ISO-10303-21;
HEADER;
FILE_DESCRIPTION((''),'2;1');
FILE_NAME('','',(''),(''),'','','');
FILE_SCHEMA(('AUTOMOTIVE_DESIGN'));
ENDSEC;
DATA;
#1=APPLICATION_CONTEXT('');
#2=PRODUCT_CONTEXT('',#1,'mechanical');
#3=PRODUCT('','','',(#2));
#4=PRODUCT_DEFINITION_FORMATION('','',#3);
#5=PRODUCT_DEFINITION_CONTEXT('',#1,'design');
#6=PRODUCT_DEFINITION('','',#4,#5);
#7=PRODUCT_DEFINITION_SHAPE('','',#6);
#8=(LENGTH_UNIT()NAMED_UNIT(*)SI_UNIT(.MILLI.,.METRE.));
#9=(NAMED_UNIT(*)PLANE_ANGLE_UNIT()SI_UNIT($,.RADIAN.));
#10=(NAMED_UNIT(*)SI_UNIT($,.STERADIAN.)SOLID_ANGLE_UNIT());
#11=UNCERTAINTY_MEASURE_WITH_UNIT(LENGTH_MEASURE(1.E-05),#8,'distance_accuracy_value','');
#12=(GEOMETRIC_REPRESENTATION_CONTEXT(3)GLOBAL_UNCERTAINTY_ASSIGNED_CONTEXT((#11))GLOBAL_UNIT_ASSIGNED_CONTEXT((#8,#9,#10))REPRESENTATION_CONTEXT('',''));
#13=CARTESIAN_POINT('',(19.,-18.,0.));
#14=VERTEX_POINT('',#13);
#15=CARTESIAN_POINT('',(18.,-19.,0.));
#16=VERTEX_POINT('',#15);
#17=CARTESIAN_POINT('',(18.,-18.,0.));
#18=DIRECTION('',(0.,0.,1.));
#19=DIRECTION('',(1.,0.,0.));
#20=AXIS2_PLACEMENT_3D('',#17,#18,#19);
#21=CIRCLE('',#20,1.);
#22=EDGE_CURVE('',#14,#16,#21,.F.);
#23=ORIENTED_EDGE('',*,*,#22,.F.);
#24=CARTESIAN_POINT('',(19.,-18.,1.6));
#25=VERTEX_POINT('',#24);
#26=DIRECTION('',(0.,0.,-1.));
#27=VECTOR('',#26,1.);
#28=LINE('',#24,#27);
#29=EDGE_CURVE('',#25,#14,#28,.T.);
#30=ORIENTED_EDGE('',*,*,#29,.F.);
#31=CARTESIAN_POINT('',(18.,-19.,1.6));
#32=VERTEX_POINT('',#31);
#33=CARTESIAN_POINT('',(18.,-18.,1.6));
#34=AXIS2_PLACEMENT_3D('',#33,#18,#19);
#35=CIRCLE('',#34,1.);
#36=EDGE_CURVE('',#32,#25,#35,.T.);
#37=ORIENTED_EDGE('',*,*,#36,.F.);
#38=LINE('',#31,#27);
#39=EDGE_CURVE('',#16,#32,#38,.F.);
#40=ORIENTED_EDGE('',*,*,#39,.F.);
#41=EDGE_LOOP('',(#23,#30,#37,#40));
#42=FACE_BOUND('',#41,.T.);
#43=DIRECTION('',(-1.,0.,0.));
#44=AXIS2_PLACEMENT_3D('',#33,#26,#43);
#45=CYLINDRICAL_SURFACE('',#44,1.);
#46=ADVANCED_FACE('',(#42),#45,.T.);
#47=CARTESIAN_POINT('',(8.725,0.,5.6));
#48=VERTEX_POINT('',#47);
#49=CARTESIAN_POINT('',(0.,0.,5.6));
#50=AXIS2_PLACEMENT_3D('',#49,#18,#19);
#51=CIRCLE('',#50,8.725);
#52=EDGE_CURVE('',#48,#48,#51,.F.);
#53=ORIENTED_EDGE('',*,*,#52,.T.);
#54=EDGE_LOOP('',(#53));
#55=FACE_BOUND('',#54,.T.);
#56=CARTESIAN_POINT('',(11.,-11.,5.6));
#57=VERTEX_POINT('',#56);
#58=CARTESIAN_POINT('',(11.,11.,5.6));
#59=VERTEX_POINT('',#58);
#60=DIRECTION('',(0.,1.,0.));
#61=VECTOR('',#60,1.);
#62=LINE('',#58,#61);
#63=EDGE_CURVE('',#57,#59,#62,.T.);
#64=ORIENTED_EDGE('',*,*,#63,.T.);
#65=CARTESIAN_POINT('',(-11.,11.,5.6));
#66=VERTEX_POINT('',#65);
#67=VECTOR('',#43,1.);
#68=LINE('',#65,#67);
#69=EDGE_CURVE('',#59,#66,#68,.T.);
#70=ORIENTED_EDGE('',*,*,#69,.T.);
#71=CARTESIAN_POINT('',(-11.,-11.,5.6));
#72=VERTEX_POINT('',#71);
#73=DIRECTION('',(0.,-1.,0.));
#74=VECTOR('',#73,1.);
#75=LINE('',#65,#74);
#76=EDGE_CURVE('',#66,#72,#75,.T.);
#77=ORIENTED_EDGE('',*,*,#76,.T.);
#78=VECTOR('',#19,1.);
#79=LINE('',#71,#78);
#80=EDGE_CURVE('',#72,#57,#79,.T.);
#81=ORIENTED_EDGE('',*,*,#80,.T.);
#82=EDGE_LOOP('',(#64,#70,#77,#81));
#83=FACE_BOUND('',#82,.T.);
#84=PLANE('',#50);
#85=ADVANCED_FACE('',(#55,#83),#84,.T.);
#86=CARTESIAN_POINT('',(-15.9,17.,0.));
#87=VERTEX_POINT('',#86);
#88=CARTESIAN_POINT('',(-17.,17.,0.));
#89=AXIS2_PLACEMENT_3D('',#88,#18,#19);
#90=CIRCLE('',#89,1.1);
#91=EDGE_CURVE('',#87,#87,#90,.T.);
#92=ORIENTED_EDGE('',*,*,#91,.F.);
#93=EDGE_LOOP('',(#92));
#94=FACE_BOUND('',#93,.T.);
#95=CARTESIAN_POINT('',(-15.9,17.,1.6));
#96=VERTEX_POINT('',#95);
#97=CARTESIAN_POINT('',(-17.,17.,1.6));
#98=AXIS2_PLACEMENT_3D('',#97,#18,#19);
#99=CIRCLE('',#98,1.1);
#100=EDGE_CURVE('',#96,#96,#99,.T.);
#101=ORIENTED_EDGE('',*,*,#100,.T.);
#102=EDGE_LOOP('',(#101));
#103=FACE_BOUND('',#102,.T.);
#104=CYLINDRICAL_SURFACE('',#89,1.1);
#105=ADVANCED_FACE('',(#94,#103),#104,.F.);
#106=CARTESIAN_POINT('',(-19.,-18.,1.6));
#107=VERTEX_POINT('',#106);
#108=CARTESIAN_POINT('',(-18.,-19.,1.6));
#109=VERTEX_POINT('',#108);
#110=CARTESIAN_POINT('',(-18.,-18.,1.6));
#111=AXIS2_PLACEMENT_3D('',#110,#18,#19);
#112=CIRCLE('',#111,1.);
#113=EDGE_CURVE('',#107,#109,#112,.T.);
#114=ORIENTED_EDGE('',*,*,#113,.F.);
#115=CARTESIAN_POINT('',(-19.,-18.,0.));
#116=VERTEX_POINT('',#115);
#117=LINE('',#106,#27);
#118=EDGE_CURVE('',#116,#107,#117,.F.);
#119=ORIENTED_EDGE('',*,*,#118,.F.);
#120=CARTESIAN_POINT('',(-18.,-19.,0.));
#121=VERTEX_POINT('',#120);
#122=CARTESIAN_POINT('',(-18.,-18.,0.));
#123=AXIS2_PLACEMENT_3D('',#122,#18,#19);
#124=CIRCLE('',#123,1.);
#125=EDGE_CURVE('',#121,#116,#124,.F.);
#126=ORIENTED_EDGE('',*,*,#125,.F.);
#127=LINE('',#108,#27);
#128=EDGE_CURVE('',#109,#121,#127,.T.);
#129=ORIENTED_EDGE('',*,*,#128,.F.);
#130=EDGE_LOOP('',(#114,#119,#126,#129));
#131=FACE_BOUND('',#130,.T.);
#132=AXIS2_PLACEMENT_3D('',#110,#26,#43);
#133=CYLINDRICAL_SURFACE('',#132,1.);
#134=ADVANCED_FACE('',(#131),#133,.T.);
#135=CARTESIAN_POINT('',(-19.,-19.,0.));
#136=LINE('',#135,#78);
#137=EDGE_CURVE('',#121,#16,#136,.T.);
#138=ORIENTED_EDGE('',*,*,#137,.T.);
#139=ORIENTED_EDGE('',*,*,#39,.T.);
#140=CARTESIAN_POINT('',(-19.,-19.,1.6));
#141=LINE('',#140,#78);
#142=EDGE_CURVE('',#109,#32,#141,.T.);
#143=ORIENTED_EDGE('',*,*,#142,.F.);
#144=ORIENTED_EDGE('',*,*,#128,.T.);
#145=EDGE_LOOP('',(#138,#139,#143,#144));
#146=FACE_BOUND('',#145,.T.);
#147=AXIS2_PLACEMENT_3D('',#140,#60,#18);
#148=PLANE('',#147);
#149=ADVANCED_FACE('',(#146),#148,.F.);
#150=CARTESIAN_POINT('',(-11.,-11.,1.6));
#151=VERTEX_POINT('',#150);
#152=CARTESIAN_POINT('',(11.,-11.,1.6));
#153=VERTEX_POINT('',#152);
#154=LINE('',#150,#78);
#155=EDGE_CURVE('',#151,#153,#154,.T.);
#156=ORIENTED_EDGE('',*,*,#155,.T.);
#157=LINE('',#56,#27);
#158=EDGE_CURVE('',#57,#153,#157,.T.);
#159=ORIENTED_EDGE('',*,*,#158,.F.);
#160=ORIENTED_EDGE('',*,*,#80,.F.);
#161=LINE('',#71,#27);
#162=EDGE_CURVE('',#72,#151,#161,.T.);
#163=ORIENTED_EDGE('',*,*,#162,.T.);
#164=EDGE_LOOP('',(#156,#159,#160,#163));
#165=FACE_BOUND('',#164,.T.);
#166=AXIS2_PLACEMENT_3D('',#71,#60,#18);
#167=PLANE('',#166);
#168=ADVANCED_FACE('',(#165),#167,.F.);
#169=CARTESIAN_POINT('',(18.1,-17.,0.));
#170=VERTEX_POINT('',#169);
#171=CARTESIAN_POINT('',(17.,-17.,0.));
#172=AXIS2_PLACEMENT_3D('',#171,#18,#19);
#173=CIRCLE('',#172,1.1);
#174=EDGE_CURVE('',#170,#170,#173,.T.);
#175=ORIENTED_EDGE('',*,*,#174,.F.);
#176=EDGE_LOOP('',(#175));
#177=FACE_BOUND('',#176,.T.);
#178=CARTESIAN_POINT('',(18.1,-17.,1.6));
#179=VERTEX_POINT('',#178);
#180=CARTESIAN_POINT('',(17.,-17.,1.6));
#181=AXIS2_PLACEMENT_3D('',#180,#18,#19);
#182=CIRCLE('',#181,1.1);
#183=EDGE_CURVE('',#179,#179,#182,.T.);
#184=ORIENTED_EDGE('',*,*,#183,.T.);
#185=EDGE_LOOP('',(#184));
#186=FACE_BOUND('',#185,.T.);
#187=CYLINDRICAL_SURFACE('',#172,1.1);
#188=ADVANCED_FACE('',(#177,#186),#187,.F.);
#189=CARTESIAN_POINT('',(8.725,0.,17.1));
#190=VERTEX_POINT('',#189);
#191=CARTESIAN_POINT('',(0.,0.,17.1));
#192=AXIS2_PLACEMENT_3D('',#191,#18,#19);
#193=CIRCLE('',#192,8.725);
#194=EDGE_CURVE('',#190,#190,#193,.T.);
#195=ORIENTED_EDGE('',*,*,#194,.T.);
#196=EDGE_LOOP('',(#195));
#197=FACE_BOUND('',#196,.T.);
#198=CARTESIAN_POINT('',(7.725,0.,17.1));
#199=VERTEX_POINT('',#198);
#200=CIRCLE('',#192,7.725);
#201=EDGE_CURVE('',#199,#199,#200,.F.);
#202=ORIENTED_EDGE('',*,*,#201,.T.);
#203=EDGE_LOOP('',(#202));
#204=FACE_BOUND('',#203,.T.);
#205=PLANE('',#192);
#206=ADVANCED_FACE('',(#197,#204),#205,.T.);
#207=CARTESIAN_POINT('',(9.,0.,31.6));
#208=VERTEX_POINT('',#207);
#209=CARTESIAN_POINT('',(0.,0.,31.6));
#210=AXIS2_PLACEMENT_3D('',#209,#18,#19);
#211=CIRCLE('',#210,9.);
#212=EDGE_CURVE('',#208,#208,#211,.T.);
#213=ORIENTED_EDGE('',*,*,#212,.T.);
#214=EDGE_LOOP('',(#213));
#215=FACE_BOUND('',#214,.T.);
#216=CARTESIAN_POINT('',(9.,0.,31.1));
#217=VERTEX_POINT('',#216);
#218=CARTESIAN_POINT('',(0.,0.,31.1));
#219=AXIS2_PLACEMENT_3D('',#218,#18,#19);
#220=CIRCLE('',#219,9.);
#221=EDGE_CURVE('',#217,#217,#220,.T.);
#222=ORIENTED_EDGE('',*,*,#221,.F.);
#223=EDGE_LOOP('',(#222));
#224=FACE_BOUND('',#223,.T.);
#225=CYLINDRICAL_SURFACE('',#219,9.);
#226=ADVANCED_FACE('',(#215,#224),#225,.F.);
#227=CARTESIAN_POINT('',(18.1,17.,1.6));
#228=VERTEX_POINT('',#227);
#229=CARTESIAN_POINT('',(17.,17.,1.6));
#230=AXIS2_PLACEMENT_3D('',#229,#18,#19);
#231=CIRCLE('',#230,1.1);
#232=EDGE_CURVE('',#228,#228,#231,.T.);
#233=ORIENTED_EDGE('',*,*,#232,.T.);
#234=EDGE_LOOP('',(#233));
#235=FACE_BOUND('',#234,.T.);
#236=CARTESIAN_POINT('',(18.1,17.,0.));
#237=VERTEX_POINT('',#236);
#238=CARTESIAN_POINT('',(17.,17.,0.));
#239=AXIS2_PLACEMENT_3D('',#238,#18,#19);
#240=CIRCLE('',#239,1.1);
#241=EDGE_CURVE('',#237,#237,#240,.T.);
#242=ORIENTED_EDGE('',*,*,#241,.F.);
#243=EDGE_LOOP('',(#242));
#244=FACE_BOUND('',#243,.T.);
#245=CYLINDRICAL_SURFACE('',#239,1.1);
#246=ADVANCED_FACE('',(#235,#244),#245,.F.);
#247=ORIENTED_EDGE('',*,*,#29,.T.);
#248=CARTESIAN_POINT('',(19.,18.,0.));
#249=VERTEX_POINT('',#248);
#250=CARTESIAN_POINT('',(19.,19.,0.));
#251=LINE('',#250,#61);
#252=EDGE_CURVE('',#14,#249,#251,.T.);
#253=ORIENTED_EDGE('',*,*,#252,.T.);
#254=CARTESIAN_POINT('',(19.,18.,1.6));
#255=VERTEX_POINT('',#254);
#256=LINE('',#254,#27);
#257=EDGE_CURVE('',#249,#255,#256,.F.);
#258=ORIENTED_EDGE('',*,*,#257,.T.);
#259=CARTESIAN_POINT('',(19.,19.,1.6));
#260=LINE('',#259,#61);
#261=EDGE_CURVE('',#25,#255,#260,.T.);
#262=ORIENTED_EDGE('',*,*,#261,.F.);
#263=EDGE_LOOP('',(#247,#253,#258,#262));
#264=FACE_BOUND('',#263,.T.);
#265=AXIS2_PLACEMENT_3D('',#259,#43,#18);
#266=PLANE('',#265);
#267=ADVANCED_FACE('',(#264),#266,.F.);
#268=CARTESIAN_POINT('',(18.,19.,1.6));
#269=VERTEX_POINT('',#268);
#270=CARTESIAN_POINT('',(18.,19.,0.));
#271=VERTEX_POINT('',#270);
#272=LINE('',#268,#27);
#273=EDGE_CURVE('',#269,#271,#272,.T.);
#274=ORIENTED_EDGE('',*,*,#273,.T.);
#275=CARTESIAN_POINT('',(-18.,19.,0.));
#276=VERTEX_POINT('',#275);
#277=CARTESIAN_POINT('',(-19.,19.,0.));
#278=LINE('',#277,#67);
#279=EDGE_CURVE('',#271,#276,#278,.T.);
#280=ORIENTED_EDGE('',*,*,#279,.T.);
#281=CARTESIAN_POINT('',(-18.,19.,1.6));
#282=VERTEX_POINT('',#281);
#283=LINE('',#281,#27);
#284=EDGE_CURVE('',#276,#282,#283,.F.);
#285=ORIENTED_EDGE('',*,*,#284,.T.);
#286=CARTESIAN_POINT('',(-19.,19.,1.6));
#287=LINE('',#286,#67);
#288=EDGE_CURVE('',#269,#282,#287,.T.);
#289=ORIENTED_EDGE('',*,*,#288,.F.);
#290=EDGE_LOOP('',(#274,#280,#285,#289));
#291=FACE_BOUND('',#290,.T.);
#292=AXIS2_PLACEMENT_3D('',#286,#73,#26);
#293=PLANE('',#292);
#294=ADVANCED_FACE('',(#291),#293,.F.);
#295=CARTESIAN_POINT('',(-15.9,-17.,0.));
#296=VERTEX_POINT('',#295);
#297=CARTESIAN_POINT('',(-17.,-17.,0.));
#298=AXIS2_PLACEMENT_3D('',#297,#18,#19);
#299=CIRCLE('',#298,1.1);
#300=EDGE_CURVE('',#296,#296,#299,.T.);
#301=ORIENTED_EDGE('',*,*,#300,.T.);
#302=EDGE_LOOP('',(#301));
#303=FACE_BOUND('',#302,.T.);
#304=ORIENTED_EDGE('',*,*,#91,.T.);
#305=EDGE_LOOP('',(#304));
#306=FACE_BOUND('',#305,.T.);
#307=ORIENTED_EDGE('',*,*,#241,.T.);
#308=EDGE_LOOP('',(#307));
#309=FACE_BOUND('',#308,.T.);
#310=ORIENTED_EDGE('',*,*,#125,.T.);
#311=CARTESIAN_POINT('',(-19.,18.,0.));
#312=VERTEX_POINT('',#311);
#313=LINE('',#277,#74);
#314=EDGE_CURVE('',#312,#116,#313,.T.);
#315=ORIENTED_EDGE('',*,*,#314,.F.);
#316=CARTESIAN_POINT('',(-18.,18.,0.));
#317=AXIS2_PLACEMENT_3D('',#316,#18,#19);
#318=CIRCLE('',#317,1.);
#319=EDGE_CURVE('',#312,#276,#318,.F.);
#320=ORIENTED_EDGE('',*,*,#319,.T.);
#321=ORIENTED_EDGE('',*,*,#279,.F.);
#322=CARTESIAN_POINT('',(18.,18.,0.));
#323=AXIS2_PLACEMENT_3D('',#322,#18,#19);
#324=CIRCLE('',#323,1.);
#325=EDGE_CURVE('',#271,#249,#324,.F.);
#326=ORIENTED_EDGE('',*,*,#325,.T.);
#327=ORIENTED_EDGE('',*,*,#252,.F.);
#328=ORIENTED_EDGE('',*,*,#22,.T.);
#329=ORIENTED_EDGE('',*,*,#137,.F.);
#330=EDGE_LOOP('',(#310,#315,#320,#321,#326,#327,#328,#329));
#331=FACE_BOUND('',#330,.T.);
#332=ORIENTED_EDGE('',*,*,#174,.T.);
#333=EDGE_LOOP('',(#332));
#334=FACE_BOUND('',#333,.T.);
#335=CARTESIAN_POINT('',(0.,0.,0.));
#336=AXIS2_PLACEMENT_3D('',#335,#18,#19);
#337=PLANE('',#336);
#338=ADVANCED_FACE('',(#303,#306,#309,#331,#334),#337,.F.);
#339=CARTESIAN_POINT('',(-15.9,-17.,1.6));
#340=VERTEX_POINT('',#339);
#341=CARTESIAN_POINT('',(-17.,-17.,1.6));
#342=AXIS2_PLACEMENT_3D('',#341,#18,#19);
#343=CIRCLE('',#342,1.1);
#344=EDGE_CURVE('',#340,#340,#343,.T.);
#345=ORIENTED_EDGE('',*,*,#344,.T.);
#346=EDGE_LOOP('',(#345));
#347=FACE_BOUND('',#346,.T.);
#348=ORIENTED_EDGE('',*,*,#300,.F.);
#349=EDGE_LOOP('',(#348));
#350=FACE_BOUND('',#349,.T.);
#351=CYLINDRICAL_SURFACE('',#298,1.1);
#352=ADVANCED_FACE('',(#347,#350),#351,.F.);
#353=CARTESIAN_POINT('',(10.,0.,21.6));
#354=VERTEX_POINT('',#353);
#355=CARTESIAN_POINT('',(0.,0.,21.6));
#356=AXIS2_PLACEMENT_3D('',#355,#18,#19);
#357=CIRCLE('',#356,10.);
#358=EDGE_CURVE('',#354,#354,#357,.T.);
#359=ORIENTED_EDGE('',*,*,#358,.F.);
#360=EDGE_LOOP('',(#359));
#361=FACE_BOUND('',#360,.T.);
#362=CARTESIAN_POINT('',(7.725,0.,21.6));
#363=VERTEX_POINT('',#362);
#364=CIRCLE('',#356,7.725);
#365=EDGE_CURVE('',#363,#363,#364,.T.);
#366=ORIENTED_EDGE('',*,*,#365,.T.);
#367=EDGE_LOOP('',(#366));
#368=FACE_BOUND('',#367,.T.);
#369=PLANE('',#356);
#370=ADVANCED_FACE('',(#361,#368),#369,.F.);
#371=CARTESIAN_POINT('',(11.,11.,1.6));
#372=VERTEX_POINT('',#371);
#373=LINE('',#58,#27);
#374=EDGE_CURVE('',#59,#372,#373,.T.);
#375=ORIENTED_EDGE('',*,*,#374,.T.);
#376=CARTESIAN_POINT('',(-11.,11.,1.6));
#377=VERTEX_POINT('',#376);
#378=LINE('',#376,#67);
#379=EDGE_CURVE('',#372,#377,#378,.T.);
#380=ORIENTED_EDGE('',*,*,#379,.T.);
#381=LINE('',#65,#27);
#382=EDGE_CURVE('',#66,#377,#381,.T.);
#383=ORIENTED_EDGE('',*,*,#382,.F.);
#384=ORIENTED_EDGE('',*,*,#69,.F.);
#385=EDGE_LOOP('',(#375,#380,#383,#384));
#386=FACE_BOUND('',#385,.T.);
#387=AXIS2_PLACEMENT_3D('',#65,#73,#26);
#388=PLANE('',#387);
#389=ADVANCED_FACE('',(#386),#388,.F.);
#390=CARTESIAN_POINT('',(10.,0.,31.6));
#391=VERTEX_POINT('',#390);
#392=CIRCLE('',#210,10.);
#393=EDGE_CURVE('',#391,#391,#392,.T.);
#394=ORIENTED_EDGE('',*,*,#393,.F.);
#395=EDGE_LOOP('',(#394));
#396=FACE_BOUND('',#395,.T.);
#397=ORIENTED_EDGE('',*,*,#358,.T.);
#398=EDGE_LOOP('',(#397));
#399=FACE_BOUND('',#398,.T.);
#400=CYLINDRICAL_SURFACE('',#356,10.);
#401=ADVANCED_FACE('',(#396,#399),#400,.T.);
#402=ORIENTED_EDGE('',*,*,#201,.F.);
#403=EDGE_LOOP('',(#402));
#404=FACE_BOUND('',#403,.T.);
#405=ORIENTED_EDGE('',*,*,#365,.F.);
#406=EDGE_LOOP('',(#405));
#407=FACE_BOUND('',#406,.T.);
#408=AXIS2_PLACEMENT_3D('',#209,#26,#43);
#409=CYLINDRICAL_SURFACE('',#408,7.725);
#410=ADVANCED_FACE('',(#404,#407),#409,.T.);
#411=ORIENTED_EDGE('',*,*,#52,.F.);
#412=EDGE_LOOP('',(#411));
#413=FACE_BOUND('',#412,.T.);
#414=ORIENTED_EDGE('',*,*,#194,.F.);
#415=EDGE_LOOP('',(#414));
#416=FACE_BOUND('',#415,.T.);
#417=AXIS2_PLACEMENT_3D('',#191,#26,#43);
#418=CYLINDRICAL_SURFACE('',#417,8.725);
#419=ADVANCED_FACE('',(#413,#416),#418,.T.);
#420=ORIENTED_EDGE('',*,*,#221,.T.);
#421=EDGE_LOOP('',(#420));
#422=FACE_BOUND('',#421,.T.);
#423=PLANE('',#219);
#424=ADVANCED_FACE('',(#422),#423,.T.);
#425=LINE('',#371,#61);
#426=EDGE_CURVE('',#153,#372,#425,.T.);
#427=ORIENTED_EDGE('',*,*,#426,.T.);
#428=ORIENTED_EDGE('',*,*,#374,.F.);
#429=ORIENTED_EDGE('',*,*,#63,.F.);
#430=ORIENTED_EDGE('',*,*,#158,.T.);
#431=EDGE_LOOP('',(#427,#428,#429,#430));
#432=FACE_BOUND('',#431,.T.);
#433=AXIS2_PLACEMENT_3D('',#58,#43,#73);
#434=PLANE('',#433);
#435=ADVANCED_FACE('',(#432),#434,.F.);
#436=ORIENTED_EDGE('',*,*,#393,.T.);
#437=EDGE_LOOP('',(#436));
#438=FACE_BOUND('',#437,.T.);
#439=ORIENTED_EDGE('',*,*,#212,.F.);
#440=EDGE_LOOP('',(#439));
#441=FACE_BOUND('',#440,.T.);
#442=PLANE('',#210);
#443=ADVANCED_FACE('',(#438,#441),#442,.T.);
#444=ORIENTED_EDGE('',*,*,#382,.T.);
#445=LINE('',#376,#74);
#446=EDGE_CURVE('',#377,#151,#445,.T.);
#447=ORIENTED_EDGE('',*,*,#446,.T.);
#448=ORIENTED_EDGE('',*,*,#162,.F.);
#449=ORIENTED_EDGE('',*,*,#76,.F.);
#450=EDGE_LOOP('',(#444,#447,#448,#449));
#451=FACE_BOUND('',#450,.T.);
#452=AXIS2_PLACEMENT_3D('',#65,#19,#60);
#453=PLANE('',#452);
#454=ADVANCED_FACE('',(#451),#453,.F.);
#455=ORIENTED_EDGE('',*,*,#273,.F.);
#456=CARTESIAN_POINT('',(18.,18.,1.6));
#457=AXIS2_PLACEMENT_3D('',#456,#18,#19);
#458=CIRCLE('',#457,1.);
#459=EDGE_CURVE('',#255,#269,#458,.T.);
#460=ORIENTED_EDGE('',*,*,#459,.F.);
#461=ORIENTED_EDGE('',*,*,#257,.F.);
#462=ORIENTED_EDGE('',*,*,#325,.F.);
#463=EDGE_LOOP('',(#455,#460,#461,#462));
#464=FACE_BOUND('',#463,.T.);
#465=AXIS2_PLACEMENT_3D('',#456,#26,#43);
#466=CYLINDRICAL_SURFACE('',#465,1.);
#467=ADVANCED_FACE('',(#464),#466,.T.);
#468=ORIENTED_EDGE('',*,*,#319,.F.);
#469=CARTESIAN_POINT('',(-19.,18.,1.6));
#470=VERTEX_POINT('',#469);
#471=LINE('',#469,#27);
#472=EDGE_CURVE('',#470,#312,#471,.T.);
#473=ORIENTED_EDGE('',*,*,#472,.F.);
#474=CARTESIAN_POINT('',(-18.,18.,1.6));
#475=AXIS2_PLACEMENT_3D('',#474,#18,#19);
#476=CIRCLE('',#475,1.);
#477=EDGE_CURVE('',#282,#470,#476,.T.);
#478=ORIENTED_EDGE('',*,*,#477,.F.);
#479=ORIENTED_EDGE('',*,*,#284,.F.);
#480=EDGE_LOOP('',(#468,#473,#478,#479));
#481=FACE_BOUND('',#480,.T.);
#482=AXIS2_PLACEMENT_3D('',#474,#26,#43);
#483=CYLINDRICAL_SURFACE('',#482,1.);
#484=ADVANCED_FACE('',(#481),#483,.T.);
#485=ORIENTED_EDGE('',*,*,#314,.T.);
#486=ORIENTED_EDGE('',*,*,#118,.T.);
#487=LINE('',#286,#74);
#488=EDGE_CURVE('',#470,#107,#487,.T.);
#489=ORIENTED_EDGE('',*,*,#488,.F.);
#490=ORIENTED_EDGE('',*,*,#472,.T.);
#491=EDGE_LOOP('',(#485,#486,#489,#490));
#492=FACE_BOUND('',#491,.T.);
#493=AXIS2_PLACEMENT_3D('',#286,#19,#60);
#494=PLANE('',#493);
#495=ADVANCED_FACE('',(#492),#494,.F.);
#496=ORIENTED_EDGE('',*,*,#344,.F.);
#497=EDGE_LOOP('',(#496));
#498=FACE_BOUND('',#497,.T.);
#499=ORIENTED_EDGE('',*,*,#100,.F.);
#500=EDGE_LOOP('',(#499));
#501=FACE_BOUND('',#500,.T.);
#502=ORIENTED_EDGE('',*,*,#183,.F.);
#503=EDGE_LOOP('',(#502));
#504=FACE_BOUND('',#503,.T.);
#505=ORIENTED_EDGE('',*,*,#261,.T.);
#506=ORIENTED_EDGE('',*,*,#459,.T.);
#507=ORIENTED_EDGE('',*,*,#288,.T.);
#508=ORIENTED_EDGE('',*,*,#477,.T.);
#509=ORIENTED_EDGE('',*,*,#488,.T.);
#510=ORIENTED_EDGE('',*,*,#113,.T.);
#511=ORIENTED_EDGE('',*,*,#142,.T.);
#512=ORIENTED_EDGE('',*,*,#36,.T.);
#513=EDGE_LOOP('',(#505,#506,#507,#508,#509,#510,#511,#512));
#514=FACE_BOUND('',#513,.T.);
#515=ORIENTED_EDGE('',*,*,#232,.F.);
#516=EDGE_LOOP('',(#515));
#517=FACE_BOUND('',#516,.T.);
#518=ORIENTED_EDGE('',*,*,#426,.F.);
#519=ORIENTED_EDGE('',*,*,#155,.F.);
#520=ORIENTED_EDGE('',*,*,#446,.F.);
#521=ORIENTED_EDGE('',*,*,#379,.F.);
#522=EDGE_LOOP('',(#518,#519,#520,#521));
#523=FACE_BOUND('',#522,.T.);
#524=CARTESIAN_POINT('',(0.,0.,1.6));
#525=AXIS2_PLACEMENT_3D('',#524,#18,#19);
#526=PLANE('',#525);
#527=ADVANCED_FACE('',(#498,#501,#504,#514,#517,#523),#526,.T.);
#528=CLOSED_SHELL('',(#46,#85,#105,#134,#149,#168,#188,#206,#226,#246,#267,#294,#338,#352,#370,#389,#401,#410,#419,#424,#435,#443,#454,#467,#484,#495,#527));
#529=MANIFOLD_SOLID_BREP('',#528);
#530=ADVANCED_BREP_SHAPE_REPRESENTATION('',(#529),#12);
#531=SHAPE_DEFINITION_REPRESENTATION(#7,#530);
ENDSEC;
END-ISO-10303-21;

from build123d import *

# Parameters (mm, degrees)
SKETCH_1_W          = 38
SKETCH_1_H          = 38
EXTRUDE_1_DEPTH     = 1.6
SKETCH_2_R          = 1.1
CUT_EXTRUDE_1_DEPTH = 27.917652201
FILLET_1_R          = 1
SKETCH_3_W          = 22
SKETCH_3_H          = 22
EXTRUDE_2_DEPTH     = 4
SKETCH_4_R          = 8.725
EXTRUDE_3_DEPTH     = 15.5
SKETCH_5_R          = 7.725
EXTRUDE_4_DEPTH     = 30
SKETCH_6_R          = 10
EXTRUDE_5_DEPTH     = 10
SKETCH_7_R          = 9
CUT_EXTRUDE_3_DEPTH = 0.5


with BuildPart() as part:
    # 스케치1 → 보스-돌출1 (new body)
    with BuildSketch(Plane.XY):
        Rectangle(SKETCH_1_W, SKETCH_1_H)
    extrude(amount=EXTRUDE_1_DEPTH)

    # 스케치2 → 컷-돌출1 (cut, through all)
    with BuildSketch(Plane.XY.offset(1.6)):
        with Locations((-17, 17)):
            Circle(SKETCH_2_R)
        with Locations((17, -17)):
            Circle(SKETCH_2_R)
        with Locations((17, 17)):
            Circle(SKETCH_2_R)
        with Locations((-17, -17)):
            Circle(SKETCH_2_R)
    extrude(amount=-CUT_EXTRUDE_1_DEPTH, mode=Mode.SUBTRACT)

    # 필렛1
    fillet_1_edges = [part.edges().sort_by_distance(p)[0] for p in [
        (-19, 19, 0.8),
        (19, 19, 0.8),
        (19, -19, 0.8),
        (-19, -19, 0.8),
    ]]
    fillet(fillet_1_edges, radius=FILLET_1_R)

    # 스케치3 → 보스-돌출2 (add)
    with BuildSketch(Plane.XY.offset(1.6)):
        Rectangle(SKETCH_3_W, SKETCH_3_H)
    extrude(amount=EXTRUDE_2_DEPTH)

    # 스케치4 → 보스-돌출3 (add)
    with BuildSketch(Plane.XY.offset(1.6)):
        Circle(SKETCH_4_R)
    extrude(amount=EXTRUDE_3_DEPTH)

    # 스케치5 → 보스-돌출4 (add)
    with BuildSketch(Plane.XY.offset(1.6)):
        Circle(SKETCH_5_R)
    extrude(amount=EXTRUDE_4_DEPTH)

    # 스케치6 → 보스-돌출5 (add)
    with BuildSketch(Plane.XY.offset(31.6)):
        Circle(SKETCH_6_R)
    extrude(amount=-EXTRUDE_5_DEPTH)

    # 스케치7 → 컷-돌출3 (cut)
    with BuildSketch(Plane.XY.offset(31.6)):
        Circle(SKETCH_7_R)
    extrude(amount=-CUT_EXTRUDE_3_DEPTH, mode=Mode.SUBTRACT)


solid = part.part
